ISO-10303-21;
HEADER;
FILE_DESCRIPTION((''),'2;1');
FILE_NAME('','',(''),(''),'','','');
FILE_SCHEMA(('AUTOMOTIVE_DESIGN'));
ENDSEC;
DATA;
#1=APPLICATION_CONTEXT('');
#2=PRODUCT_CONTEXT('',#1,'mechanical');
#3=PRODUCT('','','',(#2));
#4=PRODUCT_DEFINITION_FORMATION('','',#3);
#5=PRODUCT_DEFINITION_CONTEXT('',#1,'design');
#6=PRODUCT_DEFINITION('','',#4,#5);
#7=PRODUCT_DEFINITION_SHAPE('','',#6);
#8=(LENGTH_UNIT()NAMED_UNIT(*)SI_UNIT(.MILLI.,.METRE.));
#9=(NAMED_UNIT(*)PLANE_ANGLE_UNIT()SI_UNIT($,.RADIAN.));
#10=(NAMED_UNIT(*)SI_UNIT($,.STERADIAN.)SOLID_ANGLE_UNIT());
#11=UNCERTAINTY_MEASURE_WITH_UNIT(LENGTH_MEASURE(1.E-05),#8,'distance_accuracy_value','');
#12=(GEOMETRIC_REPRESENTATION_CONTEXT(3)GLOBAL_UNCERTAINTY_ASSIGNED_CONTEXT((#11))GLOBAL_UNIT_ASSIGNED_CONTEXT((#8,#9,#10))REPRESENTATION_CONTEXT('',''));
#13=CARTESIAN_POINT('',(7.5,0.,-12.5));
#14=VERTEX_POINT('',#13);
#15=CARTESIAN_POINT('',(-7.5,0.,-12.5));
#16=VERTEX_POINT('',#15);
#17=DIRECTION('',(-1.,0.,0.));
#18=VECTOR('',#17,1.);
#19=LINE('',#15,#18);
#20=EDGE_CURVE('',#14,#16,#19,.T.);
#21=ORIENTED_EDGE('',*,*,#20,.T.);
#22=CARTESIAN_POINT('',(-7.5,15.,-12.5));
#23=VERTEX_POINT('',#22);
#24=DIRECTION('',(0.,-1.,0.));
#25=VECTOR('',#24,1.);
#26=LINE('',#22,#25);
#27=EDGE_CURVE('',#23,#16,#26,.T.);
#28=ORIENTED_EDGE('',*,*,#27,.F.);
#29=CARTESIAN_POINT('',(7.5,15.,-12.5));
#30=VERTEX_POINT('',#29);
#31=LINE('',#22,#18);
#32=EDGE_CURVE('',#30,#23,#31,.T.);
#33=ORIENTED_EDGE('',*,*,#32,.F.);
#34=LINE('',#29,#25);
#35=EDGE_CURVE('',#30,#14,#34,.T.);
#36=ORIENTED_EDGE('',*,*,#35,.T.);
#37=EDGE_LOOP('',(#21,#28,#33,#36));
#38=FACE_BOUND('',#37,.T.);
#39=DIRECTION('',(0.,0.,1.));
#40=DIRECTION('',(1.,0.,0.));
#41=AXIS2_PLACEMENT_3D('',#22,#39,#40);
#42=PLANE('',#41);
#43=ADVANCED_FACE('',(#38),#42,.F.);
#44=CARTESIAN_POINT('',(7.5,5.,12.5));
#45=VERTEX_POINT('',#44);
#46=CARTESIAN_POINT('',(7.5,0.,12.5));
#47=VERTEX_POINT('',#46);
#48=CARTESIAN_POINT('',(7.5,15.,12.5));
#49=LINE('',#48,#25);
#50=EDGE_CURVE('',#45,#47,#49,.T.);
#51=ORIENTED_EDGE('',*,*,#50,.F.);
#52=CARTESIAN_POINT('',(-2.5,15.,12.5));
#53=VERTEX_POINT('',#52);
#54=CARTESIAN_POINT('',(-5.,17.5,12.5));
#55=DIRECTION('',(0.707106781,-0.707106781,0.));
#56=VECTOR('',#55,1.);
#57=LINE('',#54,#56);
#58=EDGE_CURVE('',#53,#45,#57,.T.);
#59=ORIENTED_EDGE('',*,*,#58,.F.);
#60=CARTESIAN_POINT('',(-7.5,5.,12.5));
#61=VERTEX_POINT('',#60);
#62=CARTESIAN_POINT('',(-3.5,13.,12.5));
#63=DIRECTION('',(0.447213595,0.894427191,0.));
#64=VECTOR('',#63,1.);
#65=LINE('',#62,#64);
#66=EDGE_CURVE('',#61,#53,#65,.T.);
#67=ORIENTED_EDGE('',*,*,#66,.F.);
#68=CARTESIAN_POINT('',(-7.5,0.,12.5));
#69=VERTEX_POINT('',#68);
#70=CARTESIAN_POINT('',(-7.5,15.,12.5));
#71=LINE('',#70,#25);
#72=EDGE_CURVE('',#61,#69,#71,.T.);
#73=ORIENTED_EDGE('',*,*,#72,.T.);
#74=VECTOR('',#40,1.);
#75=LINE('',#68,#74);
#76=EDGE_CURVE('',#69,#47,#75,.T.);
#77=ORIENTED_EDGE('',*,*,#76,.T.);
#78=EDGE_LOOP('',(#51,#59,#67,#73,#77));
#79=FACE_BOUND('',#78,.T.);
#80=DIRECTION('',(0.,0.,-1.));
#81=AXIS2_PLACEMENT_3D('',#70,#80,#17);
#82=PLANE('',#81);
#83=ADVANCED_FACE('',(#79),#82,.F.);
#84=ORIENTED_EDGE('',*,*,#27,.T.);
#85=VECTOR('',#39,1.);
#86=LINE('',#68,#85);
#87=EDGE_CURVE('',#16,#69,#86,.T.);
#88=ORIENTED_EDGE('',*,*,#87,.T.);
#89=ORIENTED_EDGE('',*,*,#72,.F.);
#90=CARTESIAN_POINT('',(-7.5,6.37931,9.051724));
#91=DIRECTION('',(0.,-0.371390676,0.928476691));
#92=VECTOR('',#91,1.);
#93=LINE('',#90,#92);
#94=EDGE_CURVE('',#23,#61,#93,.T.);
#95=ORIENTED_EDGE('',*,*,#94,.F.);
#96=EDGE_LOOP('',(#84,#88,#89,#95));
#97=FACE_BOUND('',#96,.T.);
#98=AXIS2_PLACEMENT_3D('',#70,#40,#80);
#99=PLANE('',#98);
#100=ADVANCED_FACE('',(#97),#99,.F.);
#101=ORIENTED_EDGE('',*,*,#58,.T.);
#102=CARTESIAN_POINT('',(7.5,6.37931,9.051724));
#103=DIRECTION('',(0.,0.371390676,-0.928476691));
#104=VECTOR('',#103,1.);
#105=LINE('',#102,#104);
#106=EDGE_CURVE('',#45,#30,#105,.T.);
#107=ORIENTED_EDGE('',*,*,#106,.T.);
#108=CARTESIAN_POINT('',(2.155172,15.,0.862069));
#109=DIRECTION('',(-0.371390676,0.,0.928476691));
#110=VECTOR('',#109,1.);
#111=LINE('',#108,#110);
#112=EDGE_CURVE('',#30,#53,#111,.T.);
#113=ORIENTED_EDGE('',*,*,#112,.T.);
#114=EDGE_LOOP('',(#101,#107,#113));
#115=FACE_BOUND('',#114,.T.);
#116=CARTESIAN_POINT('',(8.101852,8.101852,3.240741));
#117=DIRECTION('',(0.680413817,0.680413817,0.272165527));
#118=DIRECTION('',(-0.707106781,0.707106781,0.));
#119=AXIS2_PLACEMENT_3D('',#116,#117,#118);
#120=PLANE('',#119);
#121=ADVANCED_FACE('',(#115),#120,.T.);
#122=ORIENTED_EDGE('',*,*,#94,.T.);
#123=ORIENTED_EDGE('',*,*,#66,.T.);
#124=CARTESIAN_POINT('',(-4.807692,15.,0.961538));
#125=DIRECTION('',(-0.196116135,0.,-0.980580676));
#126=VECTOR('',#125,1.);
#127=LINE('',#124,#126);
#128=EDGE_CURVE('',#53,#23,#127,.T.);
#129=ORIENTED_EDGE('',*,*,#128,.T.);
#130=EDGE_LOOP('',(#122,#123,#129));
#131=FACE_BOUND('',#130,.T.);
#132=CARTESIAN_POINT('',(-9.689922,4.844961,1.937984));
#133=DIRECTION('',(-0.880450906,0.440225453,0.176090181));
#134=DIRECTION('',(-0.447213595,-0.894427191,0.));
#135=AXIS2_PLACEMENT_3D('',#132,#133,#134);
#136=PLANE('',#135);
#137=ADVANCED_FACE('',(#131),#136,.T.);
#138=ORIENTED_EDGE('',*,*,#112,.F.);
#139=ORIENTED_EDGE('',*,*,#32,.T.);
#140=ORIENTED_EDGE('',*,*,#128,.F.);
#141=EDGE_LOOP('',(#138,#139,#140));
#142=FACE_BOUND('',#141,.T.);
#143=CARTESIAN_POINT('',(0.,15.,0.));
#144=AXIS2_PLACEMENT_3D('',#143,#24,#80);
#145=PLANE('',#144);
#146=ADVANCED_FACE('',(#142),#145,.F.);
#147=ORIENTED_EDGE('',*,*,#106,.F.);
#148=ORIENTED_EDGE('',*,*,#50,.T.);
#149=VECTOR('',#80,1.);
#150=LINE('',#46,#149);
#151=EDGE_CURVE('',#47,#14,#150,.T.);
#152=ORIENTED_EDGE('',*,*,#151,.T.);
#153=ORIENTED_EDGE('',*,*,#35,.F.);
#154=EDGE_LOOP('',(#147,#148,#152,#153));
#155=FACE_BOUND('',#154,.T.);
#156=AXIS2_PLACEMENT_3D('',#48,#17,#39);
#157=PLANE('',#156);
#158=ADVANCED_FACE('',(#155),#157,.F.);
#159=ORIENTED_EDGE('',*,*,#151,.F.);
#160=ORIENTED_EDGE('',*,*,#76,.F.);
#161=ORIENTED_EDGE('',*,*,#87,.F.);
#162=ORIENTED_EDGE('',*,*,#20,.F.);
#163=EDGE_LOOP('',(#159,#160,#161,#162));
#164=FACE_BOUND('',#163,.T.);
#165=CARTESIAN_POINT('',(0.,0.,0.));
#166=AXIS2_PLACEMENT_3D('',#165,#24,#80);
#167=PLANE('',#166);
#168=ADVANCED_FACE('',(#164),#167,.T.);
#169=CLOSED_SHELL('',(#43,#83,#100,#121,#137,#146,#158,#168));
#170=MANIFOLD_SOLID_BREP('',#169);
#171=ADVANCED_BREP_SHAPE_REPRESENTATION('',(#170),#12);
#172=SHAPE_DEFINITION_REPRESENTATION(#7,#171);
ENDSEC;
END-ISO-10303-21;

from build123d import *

# Parameters (mm, degrees)
SKETCH_1_W          = 15
SKETCH_1_H          = 25
EXTRUDE_1_DEPTH     = 15
SKETCH_4_W          = 33.460320445
SKETCH_4_H          = 26.687965621
CUT_EXTRUDE_1_DEPTH = 15
SKETCH_5_W          = 41.021028331
SKETCH_5_H          = 23.23593172
CUT_EXTRUDE_2_DEPTH = 15


with BuildPart() as part:
    # 草圖1 → 填料-伸長1 (new body)
    with BuildSketch(Plane(origin=(0, 0, 0), x_dir=(1, 0, 0), z_dir=(0, 1, 0))):
        Rectangle(SKETCH_1_W, SKETCH_1_H)
    extrude(amount=EXTRUDE_1_DEPTH)

    # 草圖4 → 除料-伸長1 (cut)
    with BuildSketch(Plane(origin=(-9.689922481, 4.84496124, 1.937984496), x_dir=(0.157499846, -0.078749923, 0.984374039), z_dir=(-0.880450906, 0.440225453, 0.176090181))):
        with Locations((1.566467167, 5.33065366)):
            Rectangle(SKETCH_4_W, SKETCH_4_H)
    extrude(amount=CUT_EXTRUDE_1_DEPTH, mode=Mode.SUBTRACT)

    # 草圖5 → 除料-伸長2 (cut)
    with BuildSketch(Plane(origin=(8.101851852, 8.101851852, 3.240740741), x_dir=(-0.19245009, -0.19245009, 0.962250449), z_dir=(-0.680413817, -0.680413817, -0.272165527))):
        with Locations((-1.846019689, 5.465840721)):
            Rectangle(SKETCH_5_W, SKETCH_5_H)
    extrude(amount=-CUT_EXTRUDE_2_DEPTH, mode=Mode.SUBTRACT)


solid = part.part
